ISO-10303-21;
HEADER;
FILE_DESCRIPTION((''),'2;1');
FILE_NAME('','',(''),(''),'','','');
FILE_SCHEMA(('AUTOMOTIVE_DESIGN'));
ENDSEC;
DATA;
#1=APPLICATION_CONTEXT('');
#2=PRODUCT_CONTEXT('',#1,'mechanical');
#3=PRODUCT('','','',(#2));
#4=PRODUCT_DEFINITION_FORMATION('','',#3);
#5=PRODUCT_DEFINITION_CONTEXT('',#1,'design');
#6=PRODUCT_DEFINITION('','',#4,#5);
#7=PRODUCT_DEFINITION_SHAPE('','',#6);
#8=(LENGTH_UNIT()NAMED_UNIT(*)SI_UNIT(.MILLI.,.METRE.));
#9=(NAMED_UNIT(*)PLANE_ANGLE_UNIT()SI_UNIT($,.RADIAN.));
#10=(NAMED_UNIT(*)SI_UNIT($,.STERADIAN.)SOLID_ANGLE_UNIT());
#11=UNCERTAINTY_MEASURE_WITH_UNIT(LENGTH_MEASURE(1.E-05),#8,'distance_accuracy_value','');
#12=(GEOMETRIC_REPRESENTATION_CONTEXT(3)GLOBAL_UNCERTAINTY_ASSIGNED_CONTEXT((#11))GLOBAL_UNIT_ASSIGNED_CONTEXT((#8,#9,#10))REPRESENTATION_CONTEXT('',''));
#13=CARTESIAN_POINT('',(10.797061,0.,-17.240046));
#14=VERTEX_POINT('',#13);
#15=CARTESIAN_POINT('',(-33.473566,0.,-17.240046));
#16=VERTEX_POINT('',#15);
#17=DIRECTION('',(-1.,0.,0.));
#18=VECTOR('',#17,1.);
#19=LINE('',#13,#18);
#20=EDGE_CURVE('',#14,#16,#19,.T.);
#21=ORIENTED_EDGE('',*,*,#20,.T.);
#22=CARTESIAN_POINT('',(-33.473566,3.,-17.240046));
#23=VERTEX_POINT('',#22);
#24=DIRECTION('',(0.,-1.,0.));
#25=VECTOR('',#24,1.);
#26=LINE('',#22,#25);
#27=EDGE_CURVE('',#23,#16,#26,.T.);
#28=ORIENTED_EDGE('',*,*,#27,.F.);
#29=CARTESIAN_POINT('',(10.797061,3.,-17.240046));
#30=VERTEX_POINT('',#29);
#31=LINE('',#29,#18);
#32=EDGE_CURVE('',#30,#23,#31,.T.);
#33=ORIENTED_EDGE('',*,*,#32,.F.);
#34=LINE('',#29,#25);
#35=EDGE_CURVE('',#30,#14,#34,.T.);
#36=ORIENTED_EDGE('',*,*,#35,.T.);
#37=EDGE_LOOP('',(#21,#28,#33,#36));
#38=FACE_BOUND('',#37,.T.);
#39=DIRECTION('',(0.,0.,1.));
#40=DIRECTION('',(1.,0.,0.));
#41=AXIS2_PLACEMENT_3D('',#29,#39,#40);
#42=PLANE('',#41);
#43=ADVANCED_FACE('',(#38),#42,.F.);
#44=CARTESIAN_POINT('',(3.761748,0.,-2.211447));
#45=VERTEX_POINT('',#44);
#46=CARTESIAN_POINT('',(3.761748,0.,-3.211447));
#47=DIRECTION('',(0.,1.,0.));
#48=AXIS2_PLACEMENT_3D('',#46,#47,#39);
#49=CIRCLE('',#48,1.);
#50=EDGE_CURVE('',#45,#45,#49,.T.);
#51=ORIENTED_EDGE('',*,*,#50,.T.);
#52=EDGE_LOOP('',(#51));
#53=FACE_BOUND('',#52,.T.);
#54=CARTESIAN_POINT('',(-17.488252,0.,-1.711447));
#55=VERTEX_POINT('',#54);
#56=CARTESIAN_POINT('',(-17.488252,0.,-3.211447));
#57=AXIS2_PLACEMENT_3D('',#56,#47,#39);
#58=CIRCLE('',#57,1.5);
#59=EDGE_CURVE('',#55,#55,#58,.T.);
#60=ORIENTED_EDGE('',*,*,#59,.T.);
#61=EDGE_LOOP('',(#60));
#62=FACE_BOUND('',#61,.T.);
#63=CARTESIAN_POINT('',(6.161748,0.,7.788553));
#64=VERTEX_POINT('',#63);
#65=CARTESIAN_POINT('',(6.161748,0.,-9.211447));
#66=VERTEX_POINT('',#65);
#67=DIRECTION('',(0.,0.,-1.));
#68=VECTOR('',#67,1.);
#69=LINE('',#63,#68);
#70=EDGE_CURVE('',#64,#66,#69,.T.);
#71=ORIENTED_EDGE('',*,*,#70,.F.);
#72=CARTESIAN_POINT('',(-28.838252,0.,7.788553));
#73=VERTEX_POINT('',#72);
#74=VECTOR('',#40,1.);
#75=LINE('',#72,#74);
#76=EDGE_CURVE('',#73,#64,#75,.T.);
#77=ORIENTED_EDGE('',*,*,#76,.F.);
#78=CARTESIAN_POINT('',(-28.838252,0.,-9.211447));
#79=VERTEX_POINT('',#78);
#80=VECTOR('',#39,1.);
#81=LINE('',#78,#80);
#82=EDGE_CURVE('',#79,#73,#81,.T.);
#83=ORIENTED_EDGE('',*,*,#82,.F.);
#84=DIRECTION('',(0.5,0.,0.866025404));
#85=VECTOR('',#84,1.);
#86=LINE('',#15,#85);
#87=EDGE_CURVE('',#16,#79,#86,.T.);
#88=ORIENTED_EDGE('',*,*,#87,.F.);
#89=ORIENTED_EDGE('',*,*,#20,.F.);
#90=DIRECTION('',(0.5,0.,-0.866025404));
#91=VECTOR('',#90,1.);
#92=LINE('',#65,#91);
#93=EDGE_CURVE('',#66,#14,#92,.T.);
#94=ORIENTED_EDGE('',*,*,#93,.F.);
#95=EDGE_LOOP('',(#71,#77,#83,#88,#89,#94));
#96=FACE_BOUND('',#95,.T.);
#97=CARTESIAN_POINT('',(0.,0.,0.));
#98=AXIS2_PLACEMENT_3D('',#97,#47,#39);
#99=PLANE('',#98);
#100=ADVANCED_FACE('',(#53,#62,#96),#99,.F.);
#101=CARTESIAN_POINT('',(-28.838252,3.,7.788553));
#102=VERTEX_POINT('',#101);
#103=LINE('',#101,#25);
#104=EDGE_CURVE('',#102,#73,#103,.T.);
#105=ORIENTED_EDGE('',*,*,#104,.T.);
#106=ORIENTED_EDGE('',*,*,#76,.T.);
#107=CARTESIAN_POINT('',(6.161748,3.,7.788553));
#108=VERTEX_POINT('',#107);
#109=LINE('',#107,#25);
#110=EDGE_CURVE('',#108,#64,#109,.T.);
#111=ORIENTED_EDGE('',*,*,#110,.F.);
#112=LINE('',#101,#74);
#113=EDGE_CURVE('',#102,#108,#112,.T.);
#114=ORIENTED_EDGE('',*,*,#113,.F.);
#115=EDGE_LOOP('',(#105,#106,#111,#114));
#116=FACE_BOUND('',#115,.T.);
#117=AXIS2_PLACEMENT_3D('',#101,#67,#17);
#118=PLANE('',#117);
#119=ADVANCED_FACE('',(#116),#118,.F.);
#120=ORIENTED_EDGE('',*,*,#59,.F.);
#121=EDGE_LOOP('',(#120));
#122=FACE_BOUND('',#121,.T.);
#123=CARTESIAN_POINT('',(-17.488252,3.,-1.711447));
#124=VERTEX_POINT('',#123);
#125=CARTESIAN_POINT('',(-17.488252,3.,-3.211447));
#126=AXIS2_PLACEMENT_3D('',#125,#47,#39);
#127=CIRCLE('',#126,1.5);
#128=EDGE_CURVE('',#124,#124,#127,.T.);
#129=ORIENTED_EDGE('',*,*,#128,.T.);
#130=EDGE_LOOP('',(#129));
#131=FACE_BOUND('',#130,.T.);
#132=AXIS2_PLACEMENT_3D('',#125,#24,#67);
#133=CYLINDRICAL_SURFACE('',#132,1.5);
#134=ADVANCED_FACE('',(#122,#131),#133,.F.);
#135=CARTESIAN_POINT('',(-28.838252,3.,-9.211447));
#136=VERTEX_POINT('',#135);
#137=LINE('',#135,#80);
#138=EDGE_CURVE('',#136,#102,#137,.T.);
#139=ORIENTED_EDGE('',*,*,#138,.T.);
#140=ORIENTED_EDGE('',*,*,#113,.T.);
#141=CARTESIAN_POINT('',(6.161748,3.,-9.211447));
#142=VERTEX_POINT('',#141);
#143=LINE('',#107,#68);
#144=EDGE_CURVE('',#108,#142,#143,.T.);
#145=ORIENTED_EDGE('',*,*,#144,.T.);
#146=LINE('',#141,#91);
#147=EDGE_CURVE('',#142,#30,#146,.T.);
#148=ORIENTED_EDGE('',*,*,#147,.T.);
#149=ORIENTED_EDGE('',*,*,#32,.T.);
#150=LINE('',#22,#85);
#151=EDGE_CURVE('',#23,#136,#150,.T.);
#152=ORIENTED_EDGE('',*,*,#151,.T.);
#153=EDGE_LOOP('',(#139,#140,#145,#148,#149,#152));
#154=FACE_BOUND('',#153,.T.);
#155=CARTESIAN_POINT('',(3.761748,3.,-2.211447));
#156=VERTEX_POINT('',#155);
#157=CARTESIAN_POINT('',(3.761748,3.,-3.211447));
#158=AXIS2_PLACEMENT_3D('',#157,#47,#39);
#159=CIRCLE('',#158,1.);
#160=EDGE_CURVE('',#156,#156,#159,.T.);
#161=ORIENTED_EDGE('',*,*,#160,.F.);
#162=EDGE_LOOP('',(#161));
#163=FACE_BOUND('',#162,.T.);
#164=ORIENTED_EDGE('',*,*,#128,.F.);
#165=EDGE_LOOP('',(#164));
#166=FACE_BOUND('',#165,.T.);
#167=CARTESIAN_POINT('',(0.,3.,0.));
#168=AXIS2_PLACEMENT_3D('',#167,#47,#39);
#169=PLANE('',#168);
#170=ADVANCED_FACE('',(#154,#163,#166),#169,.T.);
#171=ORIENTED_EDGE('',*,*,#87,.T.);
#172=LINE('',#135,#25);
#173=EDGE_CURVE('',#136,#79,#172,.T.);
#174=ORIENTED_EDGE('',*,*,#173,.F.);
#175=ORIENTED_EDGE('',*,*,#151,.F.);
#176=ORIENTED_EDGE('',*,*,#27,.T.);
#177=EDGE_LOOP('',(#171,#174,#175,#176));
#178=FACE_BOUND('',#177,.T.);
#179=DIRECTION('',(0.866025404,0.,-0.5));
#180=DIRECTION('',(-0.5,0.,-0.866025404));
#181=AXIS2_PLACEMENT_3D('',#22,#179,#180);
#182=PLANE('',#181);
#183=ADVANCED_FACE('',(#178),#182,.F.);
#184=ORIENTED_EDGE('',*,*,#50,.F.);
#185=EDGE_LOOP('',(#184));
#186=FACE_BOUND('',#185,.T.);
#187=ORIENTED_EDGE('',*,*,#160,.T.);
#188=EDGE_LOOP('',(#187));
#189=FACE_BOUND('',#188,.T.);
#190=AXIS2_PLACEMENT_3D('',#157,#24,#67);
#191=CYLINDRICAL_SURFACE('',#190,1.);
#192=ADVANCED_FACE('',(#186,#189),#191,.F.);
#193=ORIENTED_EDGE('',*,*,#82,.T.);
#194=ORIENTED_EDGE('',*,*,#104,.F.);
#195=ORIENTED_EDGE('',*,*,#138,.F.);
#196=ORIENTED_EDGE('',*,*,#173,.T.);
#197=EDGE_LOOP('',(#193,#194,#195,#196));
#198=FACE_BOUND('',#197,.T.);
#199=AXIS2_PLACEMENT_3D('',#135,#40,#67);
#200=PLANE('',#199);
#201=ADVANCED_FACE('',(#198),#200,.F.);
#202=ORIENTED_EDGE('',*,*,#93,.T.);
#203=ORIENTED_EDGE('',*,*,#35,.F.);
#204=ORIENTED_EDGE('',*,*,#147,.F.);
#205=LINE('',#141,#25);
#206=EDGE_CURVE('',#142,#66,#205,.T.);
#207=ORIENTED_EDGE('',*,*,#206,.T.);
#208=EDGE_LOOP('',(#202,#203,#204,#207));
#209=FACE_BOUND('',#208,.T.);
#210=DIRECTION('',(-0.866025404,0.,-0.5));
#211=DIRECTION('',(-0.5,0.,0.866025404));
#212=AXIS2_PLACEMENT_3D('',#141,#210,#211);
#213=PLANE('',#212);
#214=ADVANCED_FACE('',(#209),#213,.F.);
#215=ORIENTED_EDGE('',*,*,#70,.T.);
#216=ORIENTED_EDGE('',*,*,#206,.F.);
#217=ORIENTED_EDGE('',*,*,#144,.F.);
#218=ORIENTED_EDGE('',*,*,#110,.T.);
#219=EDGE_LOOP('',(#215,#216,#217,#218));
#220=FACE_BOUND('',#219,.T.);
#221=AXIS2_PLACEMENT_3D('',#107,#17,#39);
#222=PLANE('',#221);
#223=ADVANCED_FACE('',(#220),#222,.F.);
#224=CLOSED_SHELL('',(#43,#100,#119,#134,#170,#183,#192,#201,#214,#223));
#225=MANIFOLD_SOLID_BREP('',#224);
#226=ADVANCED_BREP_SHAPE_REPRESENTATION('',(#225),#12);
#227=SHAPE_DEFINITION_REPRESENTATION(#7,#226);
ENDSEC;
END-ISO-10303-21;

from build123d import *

# Parameters (mm, degrees)
SKETCH_1_R      = 1
SKETCH_1_R_2    = 1.5
EXTRUDE_1_DEPTH = 3


with BuildPart() as part:
    # 草图1 → 凸台-拉伸1 (new body)
    with BuildSketch(Plane(origin=(0, 0, 0), x_dir=(1, 0, 0), z_dir=(0, 1, 0))):
        Polygon((-28.838252362, 9.21144671), (-28.838252362, -7.78855329), (6.161747638, -7.78855329), (6.161747638, 9.21144671), (10.797061323, 17.240045522), (-33.473566048, 17.240045522), align=None)
        with Locations(Location((3.761747638, 3.21144671, 0), (0, 0, 270))):
            Circle(SKETCH_1_R, mode=Mode.SUBTRACT)
        with Locations(Location((-17.488252362, 3.21144671, 0), (0, 0, 270))):
            Circle(SKETCH_1_R_2, mode=Mode.SUBTRACT)
    extrude(amount=EXTRUDE_1_DEPTH)


solid = part.part
